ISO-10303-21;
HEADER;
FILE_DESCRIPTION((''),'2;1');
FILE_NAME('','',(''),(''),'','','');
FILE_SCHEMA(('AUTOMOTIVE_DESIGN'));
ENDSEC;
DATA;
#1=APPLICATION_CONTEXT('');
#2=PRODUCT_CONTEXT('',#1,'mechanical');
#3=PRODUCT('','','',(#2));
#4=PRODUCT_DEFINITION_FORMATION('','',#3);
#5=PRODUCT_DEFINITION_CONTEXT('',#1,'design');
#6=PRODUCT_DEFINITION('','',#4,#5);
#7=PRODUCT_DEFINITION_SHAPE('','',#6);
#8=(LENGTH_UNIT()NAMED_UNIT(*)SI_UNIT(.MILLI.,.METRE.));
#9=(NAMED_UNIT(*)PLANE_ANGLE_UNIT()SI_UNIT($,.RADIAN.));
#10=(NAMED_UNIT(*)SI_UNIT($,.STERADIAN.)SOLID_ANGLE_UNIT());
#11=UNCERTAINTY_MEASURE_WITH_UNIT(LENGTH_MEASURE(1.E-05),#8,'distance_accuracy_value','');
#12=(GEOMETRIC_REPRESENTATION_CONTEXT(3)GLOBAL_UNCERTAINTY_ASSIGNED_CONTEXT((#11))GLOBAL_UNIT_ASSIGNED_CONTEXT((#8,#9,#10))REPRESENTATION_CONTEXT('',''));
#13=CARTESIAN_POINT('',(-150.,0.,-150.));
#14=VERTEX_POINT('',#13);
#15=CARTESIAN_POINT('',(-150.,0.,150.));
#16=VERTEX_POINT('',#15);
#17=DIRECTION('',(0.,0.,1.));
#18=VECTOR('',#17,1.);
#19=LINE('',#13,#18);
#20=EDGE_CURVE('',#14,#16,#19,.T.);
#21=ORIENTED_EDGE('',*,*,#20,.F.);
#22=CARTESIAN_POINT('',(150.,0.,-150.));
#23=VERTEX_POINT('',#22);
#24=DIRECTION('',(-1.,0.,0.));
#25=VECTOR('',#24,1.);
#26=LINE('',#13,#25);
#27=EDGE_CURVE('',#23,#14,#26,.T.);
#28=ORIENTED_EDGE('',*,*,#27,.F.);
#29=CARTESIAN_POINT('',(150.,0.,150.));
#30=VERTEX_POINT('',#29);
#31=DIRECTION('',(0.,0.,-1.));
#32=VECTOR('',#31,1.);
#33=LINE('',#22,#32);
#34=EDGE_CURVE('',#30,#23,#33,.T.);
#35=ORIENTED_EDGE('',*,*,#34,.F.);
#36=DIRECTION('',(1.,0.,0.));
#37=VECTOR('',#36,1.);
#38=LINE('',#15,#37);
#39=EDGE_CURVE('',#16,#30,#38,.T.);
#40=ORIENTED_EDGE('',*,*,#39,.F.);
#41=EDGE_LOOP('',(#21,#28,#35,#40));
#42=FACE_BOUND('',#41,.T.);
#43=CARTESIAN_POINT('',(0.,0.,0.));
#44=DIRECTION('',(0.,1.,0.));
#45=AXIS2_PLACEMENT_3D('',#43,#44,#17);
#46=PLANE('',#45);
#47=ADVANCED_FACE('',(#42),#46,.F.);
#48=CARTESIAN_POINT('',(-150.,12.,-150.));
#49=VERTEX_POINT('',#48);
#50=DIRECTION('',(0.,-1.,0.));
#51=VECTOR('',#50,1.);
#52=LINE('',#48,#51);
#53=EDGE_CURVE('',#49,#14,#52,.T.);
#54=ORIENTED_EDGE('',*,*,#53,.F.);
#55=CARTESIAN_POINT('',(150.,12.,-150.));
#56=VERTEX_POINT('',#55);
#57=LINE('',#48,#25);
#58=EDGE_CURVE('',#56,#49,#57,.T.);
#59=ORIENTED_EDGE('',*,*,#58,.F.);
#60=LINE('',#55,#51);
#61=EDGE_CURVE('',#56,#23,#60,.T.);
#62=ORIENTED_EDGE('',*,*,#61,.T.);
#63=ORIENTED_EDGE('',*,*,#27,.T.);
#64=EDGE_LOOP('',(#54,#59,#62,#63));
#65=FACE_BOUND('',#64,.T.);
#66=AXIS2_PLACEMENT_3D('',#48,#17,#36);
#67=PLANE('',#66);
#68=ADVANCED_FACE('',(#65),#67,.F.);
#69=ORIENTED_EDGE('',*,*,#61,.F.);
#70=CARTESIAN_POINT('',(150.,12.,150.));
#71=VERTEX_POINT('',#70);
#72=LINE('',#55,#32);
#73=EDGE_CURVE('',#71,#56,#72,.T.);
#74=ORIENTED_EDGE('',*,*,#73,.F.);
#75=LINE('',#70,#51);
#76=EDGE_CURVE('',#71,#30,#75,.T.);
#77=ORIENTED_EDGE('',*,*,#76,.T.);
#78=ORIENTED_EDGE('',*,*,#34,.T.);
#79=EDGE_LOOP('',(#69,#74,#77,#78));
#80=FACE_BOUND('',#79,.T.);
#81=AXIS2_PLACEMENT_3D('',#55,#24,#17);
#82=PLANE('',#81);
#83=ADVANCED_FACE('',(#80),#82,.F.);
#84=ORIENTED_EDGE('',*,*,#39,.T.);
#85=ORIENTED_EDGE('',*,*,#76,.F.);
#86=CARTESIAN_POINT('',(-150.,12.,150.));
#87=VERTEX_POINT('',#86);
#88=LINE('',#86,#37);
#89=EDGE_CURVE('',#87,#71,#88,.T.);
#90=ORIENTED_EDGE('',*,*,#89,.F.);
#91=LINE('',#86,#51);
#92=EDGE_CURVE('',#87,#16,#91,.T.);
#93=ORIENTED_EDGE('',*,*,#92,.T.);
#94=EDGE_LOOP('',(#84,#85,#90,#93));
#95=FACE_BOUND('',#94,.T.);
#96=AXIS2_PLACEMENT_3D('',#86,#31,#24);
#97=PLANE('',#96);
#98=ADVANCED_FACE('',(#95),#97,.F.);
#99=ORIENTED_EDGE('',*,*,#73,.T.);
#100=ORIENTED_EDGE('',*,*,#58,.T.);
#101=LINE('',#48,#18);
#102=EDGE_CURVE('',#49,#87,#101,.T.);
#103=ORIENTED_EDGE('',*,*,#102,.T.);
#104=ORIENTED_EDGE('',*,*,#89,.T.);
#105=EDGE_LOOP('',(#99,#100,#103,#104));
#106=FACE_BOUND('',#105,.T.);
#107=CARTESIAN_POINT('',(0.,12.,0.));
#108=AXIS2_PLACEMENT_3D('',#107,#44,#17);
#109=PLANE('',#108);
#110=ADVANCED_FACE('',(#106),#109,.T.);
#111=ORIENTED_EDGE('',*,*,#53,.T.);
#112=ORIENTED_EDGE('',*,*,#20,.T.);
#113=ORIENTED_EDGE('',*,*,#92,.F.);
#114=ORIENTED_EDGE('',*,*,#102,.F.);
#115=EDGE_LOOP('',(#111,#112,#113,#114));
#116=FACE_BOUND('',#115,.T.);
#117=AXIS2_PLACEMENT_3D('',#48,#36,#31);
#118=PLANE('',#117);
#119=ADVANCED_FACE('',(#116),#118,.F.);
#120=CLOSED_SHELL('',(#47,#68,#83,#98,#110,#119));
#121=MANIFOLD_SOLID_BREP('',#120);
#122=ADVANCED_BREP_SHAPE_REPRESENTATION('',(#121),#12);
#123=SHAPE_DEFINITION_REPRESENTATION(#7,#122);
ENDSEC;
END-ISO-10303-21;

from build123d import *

# Parameters (mm, degrees)
SKETCH1_W           = 300
SKETCH1_H           = 300
BOSS_EXTRUDE1_DEPTH = 12


with BuildPart() as part:
    # Sketch1 → Boss-Extrude1 (new body)
    with BuildSketch(Plane(origin=(0, 0, 0), x_dir=(1, 0, 0), z_dir=(0, 1, 0))):
        Rectangle(SKETCH1_W, SKETCH1_H)
    extrude(amount=BOSS_EXTRUDE1_DEPTH)


solid = part.part
